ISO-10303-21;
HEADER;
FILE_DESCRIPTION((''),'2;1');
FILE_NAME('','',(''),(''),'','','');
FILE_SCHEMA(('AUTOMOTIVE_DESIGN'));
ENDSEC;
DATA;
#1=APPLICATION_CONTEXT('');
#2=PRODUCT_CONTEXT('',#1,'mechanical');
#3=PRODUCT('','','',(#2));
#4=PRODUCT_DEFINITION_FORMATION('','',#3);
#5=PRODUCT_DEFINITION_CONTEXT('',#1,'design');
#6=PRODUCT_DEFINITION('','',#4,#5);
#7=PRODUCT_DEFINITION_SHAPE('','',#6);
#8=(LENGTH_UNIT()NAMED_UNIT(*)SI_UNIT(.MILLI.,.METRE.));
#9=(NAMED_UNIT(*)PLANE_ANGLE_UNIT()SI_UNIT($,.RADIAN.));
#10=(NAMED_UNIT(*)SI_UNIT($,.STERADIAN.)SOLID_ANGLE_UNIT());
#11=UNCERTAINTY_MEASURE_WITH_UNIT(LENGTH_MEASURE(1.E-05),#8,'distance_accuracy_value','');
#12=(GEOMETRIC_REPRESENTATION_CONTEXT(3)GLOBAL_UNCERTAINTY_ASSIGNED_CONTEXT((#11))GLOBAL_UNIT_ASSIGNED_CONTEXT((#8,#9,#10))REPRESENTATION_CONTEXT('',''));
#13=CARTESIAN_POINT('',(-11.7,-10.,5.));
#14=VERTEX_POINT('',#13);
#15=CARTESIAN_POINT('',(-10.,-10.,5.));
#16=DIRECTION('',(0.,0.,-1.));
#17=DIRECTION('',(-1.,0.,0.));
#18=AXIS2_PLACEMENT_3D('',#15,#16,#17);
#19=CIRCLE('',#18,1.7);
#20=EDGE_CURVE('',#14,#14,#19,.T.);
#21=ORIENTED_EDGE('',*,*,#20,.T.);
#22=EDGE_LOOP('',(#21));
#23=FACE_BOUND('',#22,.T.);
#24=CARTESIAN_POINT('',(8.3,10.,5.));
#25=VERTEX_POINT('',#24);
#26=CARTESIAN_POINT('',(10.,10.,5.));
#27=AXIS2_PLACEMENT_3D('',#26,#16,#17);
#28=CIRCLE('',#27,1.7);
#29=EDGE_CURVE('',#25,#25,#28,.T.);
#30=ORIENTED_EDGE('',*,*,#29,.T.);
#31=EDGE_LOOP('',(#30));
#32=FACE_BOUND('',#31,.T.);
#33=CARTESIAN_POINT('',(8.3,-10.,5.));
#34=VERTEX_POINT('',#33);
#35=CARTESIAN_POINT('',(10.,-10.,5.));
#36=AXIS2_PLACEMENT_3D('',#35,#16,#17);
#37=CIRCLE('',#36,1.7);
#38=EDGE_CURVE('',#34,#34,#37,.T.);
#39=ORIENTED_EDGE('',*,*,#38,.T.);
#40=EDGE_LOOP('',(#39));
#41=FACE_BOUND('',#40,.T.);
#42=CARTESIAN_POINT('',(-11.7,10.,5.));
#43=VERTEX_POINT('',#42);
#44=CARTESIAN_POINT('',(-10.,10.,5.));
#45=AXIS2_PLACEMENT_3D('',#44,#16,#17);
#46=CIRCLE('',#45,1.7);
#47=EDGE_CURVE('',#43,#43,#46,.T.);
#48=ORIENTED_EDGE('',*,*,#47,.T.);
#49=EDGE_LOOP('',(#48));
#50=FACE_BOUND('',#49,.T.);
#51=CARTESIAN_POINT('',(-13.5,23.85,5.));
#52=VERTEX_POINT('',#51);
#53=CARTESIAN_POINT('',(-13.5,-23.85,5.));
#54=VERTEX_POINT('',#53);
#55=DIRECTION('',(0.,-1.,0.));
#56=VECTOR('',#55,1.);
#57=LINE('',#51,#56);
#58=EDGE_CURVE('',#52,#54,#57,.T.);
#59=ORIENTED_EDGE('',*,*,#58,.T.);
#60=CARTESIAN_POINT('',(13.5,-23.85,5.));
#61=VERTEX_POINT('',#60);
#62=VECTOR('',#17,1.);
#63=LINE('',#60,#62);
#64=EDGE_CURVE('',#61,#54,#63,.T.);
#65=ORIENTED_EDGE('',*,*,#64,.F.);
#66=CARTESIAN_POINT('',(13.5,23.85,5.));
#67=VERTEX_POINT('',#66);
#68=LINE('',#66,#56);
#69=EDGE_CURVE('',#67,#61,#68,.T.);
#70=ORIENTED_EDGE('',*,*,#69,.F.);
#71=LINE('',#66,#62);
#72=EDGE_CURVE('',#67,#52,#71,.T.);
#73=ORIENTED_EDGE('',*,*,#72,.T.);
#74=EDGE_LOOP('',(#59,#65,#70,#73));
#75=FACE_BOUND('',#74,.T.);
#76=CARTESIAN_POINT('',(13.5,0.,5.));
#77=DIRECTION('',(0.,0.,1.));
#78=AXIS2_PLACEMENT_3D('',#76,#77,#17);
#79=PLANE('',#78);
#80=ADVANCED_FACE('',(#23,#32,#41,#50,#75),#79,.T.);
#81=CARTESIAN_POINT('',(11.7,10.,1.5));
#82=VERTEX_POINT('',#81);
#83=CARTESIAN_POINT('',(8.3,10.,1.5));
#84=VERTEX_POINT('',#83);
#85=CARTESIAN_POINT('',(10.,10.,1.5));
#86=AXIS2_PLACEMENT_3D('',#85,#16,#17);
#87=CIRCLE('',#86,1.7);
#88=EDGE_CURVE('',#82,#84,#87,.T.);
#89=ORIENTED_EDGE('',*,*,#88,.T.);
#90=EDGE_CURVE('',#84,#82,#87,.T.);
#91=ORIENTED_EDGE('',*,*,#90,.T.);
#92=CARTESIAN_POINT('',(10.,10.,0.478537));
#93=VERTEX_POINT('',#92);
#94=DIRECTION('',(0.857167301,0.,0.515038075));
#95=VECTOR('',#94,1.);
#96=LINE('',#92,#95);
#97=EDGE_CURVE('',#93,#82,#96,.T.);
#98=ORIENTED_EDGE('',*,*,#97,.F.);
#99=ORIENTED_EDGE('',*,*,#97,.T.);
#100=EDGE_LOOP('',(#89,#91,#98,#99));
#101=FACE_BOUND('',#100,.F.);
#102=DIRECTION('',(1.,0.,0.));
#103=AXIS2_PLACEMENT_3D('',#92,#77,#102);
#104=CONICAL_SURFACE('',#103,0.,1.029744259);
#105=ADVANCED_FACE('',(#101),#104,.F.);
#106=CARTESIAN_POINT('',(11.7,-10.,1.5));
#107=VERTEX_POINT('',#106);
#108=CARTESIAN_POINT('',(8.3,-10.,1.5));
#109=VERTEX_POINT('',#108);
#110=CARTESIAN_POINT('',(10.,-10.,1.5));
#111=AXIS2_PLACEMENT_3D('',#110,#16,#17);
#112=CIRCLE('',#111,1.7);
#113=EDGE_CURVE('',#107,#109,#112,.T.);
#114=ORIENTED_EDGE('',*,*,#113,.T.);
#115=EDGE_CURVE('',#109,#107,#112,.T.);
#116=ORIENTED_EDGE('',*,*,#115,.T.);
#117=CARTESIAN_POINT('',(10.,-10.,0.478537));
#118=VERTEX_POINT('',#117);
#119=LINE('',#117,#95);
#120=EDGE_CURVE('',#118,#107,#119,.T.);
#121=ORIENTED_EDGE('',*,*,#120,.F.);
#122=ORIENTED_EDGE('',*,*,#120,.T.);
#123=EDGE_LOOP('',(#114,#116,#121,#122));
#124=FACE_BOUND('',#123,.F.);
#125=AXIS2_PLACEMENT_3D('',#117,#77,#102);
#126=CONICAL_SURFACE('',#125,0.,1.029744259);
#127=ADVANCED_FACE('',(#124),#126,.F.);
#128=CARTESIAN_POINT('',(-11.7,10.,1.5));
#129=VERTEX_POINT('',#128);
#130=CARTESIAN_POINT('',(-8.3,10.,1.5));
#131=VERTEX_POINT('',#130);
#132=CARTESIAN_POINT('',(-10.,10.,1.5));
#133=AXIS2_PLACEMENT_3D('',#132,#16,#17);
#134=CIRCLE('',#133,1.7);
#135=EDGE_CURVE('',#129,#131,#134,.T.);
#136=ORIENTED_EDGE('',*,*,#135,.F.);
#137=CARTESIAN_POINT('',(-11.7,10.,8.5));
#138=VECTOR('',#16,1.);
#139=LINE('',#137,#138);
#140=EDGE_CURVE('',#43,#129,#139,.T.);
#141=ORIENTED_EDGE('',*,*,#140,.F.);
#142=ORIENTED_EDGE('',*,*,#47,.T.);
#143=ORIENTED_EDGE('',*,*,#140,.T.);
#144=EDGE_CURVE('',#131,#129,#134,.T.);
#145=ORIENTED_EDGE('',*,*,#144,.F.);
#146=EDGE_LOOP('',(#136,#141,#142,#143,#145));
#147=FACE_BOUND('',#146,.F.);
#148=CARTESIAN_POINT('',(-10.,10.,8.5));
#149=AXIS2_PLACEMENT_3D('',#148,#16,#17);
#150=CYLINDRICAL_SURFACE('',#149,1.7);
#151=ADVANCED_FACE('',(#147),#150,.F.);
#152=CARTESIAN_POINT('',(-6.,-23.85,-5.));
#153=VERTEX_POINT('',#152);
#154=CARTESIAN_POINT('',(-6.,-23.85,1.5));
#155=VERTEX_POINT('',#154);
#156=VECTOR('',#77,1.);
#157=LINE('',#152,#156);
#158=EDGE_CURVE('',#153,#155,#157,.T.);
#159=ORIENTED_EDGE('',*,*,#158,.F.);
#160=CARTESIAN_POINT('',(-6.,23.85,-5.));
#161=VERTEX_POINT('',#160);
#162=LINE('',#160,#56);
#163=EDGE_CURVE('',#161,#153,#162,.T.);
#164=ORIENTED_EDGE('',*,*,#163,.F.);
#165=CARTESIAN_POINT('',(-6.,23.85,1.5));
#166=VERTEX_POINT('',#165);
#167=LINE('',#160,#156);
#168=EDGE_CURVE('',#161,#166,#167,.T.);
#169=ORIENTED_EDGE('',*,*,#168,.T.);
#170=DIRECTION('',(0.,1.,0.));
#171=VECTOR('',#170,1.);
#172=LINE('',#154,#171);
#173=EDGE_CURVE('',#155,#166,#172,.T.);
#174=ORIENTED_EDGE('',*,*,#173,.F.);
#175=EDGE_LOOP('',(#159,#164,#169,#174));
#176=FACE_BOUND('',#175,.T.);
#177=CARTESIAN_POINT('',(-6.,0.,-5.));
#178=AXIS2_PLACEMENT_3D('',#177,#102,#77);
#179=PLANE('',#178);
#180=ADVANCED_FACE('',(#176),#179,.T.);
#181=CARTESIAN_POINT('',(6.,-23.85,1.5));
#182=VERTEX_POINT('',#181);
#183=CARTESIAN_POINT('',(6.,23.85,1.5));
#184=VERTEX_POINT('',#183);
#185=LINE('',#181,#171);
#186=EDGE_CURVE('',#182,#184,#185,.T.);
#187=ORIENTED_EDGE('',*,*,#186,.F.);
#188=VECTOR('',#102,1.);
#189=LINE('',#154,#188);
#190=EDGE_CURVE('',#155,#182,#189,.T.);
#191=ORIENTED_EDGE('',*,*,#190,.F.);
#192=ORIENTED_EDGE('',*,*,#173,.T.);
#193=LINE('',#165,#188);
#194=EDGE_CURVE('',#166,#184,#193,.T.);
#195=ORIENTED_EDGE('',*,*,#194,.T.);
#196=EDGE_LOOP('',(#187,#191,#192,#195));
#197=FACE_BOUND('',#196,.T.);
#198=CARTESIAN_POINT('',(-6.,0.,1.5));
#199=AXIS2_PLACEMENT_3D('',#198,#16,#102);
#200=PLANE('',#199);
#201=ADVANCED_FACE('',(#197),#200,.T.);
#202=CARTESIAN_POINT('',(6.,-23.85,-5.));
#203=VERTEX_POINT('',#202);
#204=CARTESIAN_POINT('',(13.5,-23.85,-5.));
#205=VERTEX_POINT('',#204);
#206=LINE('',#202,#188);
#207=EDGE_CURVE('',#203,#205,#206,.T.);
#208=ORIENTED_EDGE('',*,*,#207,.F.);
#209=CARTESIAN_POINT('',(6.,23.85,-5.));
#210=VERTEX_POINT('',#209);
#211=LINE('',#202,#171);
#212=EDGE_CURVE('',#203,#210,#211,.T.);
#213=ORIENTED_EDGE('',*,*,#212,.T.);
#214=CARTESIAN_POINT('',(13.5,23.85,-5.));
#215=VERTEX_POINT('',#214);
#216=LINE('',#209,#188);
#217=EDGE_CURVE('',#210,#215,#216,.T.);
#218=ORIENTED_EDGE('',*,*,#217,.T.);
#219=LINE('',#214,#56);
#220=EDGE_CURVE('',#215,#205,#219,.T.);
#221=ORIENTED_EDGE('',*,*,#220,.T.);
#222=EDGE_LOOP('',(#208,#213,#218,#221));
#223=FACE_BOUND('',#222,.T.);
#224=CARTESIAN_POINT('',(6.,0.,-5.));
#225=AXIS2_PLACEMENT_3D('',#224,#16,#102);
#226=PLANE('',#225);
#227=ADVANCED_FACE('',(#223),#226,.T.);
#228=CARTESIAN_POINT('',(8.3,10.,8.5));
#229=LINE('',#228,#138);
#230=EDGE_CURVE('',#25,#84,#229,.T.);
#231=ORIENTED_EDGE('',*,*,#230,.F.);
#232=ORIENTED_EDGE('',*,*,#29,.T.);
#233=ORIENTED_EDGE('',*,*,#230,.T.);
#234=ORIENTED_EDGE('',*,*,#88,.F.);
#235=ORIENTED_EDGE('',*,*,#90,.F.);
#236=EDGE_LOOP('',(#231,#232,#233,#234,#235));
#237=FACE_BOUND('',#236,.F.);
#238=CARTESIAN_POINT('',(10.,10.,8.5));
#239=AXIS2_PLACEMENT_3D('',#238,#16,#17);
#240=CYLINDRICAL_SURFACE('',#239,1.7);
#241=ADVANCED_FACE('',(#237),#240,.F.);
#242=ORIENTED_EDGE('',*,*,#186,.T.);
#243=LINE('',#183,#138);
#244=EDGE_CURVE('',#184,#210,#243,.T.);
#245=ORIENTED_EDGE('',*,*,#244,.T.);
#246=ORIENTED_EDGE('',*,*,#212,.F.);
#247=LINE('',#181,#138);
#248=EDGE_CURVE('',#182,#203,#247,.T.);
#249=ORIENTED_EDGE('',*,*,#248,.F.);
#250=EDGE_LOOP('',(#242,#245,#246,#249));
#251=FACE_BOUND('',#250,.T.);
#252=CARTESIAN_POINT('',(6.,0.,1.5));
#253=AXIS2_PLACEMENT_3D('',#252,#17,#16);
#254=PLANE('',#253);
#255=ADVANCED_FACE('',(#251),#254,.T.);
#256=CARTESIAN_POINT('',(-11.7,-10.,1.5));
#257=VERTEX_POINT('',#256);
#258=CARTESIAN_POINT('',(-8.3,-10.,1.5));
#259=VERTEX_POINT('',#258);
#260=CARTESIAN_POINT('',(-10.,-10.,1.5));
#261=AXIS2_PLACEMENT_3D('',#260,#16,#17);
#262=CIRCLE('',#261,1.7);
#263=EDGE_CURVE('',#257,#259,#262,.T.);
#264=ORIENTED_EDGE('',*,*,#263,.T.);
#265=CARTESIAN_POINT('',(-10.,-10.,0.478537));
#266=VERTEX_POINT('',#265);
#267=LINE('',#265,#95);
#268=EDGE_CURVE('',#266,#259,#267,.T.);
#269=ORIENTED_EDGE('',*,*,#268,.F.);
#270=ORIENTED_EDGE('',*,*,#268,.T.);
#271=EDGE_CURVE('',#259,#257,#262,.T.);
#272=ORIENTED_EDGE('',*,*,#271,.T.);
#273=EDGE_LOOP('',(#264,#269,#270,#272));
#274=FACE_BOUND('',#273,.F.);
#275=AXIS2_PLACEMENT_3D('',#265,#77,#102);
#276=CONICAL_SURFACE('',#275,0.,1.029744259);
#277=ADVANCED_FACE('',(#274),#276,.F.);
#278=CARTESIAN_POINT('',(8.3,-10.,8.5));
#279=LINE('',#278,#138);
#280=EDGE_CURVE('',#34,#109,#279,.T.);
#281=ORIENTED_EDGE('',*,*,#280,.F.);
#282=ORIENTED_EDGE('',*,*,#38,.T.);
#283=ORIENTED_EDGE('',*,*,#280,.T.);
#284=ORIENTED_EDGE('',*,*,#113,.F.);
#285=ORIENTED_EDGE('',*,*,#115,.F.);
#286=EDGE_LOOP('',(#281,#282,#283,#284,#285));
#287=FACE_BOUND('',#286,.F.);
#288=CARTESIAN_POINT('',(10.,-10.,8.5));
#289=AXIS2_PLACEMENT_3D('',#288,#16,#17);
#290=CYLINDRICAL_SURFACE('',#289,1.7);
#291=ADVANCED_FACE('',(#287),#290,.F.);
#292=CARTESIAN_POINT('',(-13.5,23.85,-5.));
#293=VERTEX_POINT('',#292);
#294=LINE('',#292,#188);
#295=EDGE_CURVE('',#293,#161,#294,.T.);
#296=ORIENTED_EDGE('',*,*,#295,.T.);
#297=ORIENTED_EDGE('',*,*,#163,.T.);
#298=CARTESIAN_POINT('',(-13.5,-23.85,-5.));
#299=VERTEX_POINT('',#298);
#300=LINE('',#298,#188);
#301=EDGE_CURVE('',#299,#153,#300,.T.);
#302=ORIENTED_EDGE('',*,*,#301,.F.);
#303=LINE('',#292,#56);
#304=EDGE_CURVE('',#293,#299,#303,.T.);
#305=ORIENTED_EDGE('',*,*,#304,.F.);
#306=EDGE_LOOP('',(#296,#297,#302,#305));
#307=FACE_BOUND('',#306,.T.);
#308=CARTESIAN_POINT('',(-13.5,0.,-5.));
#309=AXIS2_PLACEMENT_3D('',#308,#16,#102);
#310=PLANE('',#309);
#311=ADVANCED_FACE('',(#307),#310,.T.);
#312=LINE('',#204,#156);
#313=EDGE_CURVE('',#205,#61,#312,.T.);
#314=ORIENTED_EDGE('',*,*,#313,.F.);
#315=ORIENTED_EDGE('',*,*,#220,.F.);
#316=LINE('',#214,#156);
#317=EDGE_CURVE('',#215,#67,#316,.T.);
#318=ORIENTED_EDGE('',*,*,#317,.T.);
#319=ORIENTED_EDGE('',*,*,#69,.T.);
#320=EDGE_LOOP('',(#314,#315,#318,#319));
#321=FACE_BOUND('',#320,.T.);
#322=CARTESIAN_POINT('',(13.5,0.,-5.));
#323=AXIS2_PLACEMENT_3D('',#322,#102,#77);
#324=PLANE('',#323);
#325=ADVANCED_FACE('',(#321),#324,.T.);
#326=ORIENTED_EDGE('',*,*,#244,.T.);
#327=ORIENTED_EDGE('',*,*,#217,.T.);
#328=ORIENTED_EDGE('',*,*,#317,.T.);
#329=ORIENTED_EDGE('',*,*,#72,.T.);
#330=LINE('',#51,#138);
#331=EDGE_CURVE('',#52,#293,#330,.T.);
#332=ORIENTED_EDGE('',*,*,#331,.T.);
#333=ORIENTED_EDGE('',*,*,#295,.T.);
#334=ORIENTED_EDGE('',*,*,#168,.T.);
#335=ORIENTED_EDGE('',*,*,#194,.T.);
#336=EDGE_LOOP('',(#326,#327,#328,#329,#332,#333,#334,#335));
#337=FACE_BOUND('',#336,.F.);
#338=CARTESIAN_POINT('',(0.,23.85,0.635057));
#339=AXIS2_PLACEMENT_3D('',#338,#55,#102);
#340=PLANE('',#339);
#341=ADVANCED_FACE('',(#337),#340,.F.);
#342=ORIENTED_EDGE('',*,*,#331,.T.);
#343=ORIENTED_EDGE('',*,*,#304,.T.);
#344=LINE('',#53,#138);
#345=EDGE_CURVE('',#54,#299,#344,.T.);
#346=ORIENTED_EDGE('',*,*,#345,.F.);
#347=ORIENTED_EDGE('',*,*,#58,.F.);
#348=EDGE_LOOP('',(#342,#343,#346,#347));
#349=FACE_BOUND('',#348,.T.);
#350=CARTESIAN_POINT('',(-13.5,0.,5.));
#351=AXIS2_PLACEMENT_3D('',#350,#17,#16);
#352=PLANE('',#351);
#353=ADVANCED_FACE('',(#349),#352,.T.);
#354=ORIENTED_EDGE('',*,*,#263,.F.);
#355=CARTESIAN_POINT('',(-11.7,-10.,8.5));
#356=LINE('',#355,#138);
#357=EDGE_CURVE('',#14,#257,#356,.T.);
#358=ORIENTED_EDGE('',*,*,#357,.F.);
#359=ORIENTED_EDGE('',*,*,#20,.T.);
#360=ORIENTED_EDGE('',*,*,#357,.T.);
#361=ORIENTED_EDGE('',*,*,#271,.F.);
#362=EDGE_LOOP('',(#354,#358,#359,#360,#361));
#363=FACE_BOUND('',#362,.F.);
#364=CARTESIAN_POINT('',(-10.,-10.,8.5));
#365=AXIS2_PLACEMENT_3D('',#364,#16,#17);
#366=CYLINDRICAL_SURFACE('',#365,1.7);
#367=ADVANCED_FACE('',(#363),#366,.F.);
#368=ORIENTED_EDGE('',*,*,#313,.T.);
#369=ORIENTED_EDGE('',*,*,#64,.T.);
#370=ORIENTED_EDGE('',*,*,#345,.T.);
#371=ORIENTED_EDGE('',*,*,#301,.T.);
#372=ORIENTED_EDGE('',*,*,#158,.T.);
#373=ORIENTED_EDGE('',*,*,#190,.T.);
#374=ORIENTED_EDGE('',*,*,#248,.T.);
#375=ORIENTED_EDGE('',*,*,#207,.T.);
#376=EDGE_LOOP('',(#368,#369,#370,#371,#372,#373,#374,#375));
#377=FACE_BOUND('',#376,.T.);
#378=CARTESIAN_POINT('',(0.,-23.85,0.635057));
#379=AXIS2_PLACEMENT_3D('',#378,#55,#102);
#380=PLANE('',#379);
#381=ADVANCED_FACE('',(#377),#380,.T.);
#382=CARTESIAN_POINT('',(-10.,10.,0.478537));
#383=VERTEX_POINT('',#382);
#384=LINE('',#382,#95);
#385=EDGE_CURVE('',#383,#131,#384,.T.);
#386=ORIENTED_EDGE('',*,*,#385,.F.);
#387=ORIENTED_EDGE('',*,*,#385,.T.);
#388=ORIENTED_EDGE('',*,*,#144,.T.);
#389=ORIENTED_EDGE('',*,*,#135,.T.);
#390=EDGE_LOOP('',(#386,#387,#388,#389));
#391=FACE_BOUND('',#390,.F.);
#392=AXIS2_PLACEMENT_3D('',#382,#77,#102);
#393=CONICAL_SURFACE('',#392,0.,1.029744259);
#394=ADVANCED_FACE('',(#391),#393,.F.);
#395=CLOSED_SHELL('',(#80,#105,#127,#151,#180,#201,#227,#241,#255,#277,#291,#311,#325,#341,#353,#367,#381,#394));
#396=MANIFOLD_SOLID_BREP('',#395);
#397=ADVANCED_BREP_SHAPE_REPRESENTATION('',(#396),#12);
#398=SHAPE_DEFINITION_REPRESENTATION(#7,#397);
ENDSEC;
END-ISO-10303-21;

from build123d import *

# Parameters (mm, degrees)
F1_DEPTH = 23.85
F3_D     = 3.4
F3_DEPTH = 3.5
F3_TIP   = 1.0214630523


with BuildPart() as f1:
    # F0 (on Front) → F1 (new body, symmetric)
    with BuildSketch(Plane.XZ):
        Polygon((6, -5), (13.5, -5), (13.5, 5), (-13.5, 5), (-13.5, -5), (-6, -5), (-6, 1.5), (6, 1.5), align=None)
    extrude(amount=F1_DEPTH, both=True)

    # F3
    with Locations(Plane.XY.offset(5)):
        with Locations((10, 10), (10, -10), (-10, -10), (-10, 10)):
            Hole(F3_D / 2, depth=F3_DEPTH)
            with Locations((0, 0, -(F3_DEPTH + F3_TIP / 2))):  # 118° drill point
                Cone(0, F3_D / 2, F3_TIP, mode=Mode.SUBTRACT)


solid = f1.part
